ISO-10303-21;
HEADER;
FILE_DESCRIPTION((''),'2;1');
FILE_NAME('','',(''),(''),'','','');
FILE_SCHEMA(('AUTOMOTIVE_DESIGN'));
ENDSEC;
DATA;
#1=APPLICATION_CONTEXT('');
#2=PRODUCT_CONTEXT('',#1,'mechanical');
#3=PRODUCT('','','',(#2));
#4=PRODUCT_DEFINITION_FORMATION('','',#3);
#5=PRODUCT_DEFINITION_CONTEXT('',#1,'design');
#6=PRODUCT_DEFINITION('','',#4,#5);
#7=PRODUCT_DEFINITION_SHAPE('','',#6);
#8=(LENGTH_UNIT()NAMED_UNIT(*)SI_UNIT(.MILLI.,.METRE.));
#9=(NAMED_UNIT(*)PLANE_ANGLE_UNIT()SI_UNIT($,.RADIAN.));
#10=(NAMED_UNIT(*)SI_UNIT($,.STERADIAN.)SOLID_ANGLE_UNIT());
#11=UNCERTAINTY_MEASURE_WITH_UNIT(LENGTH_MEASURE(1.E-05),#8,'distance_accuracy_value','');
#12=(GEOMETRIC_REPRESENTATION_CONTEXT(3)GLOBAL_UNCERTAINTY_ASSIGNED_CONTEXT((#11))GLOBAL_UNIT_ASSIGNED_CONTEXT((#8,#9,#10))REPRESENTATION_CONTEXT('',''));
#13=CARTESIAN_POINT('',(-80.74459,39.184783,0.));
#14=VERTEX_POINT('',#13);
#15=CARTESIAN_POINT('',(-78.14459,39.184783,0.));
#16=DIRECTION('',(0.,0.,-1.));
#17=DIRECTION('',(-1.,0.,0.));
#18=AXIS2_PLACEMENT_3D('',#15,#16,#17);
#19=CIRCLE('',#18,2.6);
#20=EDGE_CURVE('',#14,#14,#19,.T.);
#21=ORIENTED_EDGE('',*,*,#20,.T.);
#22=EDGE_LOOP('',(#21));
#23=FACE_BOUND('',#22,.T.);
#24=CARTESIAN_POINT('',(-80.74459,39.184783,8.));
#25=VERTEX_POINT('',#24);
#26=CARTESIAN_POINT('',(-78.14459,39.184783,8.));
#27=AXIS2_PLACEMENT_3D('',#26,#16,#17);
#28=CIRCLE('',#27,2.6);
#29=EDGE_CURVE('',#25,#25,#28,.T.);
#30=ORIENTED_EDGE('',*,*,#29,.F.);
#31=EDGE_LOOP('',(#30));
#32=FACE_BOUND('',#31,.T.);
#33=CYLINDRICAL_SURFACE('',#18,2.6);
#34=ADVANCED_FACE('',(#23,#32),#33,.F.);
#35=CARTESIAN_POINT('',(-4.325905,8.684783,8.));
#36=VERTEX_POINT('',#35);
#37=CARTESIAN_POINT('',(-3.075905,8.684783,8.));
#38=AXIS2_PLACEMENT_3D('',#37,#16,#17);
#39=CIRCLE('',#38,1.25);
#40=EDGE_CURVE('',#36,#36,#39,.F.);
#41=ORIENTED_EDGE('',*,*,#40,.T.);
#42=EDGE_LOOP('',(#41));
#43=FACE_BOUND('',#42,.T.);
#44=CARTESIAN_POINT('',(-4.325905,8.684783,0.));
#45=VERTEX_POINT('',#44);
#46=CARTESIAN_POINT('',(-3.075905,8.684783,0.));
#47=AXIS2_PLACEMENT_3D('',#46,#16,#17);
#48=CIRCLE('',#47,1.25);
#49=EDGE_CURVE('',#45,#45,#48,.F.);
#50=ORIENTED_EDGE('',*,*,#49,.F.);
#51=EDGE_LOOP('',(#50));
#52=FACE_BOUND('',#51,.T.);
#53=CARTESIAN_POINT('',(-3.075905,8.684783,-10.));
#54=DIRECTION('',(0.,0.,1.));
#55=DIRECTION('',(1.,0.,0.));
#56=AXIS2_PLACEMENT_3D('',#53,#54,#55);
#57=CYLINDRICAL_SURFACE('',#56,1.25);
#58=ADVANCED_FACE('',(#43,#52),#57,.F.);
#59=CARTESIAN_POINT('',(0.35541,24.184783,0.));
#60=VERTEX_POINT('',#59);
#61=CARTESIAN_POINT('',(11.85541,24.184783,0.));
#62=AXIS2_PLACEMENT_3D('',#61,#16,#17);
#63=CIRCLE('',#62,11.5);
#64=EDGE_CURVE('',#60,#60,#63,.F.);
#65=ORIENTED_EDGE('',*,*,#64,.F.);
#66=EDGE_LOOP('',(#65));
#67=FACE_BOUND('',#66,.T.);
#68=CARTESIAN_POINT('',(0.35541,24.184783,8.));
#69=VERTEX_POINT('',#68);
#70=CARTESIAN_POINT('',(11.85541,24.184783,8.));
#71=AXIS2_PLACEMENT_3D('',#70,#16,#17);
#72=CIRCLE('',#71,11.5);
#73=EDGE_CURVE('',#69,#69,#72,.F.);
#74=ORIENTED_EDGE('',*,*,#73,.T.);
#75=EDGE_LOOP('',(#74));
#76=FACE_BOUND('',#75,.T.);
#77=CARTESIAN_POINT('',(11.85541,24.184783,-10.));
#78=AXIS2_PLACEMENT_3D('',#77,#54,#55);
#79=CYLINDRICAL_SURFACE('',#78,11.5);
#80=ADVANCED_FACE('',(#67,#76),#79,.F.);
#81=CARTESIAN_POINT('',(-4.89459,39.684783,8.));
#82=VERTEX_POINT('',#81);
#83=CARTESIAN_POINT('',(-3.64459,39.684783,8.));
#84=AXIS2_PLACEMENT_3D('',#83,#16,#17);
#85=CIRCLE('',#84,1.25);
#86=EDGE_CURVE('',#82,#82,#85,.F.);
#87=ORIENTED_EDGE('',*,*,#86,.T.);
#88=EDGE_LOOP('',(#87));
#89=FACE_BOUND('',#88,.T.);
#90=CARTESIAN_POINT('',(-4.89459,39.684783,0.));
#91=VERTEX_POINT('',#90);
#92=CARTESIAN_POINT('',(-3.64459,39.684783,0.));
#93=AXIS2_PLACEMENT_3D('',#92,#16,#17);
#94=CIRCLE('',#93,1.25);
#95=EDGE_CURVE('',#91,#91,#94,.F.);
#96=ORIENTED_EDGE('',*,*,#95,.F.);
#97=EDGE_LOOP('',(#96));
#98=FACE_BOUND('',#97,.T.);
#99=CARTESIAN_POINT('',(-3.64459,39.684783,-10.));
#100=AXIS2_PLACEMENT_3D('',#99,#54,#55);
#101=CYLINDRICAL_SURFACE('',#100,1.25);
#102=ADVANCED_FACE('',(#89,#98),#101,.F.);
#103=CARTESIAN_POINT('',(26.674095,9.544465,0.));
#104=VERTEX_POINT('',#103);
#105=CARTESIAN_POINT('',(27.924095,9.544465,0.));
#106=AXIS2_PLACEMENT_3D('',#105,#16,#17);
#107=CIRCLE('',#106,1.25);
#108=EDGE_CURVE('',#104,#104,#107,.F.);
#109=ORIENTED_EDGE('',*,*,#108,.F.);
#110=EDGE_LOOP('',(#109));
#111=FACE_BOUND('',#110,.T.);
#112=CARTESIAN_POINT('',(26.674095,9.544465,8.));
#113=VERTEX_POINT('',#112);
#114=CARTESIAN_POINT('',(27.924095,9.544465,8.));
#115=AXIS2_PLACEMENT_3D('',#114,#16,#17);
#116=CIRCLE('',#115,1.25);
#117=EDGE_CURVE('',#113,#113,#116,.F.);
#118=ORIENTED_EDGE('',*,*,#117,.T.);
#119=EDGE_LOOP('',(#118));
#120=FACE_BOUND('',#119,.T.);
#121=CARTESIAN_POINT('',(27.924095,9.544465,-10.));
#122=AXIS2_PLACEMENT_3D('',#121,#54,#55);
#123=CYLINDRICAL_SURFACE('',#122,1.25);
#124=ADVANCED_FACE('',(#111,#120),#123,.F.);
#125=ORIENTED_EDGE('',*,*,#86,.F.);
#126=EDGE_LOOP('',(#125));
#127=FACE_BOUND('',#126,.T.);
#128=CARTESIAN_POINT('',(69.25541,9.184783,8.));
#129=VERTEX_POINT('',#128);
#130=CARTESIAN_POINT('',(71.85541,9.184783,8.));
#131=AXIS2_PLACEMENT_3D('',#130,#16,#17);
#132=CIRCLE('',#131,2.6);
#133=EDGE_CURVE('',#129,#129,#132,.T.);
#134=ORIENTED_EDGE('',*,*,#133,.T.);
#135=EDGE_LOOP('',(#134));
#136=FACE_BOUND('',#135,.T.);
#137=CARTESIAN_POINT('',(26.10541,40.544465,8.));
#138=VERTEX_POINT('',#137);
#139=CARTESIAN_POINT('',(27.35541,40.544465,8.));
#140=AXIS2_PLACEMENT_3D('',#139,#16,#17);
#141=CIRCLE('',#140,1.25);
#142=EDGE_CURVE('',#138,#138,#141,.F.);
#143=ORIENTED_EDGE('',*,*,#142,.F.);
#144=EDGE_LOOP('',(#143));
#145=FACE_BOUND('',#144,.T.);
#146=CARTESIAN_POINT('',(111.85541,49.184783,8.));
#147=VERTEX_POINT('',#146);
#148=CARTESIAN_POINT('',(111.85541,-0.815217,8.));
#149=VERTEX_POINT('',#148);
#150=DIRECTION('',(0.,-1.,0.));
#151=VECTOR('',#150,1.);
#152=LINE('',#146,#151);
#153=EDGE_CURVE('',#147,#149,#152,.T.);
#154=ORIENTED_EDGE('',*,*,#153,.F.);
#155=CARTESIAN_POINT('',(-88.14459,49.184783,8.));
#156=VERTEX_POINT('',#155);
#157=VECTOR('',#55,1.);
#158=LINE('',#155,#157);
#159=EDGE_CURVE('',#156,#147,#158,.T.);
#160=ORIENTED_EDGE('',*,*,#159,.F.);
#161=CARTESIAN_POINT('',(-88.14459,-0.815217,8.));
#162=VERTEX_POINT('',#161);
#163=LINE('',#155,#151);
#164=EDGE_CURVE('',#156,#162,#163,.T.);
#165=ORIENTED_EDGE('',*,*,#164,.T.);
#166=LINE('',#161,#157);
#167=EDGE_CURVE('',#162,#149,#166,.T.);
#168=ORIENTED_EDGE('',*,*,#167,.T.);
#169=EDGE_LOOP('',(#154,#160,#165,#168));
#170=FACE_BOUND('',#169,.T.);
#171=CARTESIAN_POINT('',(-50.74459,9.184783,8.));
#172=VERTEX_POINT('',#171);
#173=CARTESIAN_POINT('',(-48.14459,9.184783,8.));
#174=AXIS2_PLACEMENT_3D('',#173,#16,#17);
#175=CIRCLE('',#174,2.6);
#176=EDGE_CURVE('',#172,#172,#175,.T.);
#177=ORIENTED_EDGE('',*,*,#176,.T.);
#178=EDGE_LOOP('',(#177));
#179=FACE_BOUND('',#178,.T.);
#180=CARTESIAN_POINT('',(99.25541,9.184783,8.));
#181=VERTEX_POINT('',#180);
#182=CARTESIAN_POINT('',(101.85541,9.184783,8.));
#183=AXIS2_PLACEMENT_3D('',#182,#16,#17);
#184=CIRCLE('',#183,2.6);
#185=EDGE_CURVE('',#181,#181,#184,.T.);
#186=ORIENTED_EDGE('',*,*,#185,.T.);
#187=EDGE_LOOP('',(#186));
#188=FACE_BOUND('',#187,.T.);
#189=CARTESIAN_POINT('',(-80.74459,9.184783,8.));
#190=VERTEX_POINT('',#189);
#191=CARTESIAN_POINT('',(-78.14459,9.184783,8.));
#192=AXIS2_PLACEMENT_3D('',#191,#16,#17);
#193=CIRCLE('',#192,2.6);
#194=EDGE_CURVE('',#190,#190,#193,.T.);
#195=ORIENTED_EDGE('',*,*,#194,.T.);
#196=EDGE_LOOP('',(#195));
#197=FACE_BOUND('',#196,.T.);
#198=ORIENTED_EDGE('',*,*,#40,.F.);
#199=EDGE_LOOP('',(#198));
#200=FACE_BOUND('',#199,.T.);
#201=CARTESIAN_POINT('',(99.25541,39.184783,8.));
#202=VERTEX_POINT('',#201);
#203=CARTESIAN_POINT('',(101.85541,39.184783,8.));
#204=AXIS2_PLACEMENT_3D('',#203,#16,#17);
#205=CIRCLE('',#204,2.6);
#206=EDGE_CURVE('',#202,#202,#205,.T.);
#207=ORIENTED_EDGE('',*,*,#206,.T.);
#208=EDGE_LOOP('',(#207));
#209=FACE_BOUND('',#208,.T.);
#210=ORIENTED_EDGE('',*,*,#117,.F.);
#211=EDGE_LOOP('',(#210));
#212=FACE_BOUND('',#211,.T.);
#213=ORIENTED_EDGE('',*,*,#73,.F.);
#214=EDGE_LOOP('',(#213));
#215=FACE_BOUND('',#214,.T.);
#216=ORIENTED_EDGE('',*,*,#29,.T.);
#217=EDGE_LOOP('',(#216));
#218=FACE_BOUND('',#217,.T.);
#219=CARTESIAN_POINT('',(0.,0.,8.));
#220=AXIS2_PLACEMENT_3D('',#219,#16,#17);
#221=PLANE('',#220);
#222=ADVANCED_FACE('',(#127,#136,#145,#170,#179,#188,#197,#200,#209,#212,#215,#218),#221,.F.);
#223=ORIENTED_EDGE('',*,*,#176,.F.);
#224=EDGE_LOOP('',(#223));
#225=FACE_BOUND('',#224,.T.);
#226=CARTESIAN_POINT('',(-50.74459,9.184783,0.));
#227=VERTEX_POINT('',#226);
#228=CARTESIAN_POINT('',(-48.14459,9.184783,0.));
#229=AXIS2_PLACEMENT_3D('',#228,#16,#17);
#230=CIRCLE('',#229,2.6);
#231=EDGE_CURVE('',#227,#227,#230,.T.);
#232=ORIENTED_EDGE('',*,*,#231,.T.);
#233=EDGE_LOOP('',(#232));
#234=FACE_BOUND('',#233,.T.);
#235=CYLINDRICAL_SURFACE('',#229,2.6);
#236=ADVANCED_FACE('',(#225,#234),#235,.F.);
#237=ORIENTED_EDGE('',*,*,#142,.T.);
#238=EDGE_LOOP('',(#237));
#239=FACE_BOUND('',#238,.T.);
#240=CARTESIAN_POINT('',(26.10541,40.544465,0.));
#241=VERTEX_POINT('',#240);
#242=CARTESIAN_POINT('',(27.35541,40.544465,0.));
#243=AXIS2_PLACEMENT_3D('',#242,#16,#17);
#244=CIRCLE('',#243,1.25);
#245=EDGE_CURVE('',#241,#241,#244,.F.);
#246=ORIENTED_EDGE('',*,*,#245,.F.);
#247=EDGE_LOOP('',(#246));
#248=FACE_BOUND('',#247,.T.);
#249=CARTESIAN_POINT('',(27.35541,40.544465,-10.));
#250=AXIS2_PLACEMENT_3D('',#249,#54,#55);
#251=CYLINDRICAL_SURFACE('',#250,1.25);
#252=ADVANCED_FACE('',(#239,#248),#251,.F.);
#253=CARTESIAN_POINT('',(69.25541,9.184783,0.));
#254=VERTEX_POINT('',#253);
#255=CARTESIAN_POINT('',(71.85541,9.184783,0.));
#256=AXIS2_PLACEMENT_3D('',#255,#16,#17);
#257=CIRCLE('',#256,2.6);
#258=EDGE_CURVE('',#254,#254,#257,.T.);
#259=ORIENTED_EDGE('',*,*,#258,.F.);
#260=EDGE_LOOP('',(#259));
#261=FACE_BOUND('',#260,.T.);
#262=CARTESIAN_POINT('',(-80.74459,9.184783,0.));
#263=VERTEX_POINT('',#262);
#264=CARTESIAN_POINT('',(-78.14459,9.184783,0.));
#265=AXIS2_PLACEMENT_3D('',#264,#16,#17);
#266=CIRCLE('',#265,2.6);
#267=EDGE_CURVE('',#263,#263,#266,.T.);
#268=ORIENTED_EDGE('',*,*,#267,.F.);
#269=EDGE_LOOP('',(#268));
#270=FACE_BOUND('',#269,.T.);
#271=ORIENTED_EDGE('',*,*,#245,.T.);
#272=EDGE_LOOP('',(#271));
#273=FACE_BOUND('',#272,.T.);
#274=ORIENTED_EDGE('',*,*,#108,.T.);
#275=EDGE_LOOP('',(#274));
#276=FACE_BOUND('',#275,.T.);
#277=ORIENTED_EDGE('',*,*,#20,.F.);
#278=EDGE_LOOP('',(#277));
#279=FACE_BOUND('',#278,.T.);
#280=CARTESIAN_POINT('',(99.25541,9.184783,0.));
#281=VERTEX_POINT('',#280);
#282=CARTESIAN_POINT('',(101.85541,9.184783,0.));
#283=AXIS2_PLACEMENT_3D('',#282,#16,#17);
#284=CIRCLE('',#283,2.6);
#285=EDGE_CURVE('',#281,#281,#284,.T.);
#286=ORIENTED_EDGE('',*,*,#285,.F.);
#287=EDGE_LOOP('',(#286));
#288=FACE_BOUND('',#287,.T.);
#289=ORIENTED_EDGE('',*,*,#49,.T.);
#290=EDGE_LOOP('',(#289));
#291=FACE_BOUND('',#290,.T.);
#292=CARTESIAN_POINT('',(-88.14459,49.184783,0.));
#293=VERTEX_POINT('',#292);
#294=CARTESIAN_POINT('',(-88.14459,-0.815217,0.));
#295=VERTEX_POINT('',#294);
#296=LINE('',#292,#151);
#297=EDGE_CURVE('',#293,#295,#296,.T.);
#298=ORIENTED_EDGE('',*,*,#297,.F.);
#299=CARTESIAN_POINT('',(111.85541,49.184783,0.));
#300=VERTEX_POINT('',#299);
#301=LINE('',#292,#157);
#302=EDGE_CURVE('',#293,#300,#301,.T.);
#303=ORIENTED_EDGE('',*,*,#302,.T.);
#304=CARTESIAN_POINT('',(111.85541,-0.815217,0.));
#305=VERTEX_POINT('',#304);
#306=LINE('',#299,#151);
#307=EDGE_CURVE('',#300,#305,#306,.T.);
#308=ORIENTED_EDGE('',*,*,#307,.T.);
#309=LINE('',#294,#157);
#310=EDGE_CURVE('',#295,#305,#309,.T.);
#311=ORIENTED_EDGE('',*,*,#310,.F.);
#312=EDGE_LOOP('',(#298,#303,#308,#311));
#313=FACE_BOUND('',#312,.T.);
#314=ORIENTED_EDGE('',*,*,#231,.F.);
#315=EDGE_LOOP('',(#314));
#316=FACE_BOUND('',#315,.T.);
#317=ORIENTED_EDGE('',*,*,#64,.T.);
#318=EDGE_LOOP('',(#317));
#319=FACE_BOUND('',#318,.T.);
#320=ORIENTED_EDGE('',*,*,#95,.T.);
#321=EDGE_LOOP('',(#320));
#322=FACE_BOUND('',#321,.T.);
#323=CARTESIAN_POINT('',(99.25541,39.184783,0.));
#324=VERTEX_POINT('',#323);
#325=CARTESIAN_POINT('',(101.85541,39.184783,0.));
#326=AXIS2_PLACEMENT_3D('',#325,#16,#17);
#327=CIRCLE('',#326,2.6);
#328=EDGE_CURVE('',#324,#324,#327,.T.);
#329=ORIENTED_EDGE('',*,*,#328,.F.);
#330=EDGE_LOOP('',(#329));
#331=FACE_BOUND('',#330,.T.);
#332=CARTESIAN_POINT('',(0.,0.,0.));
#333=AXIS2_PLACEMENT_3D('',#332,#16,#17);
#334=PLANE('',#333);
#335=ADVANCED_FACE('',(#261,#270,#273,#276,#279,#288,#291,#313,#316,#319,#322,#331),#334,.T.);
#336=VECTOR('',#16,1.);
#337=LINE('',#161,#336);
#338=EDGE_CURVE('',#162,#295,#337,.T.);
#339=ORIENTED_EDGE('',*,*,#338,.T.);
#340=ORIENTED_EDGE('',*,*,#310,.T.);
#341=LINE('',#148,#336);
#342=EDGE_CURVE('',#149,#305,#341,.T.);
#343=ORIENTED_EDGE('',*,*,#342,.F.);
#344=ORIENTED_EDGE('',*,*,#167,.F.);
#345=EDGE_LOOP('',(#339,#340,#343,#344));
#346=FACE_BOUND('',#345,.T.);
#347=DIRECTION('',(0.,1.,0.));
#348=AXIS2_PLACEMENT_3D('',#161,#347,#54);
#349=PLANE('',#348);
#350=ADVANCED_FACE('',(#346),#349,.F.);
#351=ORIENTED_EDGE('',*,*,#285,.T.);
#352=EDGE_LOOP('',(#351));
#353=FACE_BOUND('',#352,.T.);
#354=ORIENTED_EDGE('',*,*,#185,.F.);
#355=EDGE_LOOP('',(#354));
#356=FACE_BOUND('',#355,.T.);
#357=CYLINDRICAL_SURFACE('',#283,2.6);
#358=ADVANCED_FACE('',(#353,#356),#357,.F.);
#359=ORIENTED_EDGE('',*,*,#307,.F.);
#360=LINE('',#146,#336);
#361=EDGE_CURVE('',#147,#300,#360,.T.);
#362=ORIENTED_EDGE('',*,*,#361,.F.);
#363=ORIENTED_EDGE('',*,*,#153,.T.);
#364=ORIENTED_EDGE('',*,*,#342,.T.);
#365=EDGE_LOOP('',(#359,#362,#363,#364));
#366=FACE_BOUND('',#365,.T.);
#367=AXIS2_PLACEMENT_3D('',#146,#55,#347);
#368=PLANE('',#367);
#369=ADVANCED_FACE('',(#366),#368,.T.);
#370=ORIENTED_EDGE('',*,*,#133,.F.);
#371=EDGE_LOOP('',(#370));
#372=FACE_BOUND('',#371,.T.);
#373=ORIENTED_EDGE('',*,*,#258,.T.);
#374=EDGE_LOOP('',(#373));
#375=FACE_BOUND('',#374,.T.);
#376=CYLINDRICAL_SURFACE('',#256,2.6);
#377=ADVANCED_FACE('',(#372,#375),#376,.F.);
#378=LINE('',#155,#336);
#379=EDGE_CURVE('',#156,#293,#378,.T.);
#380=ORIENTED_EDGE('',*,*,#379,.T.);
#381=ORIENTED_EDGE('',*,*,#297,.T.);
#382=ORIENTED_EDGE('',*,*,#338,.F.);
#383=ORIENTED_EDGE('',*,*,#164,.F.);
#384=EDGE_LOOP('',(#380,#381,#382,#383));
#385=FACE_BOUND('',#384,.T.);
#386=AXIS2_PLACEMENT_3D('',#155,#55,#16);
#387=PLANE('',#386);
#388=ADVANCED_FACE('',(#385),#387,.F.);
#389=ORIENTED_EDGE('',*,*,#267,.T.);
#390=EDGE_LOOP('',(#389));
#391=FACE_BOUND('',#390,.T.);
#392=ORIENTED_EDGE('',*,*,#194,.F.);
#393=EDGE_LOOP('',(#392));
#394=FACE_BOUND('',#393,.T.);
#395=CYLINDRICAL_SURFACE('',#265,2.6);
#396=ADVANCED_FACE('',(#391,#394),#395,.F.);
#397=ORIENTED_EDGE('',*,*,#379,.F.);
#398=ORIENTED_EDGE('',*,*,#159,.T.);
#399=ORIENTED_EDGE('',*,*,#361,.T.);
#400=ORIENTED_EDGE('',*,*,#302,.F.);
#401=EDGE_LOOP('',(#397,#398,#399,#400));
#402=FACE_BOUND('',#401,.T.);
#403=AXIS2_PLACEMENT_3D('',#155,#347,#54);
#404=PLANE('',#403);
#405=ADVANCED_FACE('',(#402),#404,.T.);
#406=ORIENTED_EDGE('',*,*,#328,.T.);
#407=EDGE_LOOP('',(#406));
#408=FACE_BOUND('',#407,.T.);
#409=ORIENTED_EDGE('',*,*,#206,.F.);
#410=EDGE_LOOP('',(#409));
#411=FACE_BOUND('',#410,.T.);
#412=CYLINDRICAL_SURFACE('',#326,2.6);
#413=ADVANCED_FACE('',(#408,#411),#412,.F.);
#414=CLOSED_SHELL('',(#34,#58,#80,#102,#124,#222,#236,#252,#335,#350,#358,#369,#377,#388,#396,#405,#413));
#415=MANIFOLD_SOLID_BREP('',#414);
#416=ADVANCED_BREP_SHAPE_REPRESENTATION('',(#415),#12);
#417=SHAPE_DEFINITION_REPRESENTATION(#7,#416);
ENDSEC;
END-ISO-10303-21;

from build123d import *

# Parameters (mm, degrees)
IZIM1_W                              = 200
IZIM1_H                              = 50
Y_KSEKLIK_EKSTR_ZYON1_DEPTH          = 8
M5_HELISARMAL_I_IN_Z_VANA_MATKAB_1_D = 5.2
KES_EKSTR_ZYON1_DEPTH                = 10
KES_EKSTR_ZYON1_DEPTH_BACK           = 10
IZIM5_R                              = 1.25
IZIM5_R_2                            = 11.5
M5_HELISARMAL_I_IN_Z_VANA_MATKAB_2_D = 5.2


with BuildPart() as part:
    # Çizim1 → Yükseklik-Ekstrüzyon1 (new body)
    with BuildSketch(Plane.XY):
        with Locations((11.855409505, 24.184782609)):
            Rectangle(IZIM1_W, IZIM1_H)
    extrude(amount=Y_KSEKLIK_EKSTR_ZYON1_DEPTH)

    # M5 Helisarmal için Zıvana matkabı1 (through all)
    with Locations(Plane(origin=(0, 0, 0), x_dir=(-1, 0, 0), z_dir=(0, 0, -1))):
        with Locations((-101.855409505, 39.184782609), (-101.855409505, 9.184782609), (78.144590495, 9.184782609), (78.144590495, 39.184782609)):
            Hole(M5_HELISARMAL_I_IN_Z_VANA_MATKAB_1_D / 2)

    # Çizim5 → Kes-Ekstrüzyon1 (cut, two sides: drawn at the far end of the back side and taken through both)
    with BuildSketch(Plane(origin=(0, 0, 0), x_dir=(-1, 0, 0), z_dir=(0, 0, -1)).offset(-KES_EKSTR_ZYON1_DEPTH_BACK)):
        with Locations((3.644590495, 39.684782609)):
            Circle(IZIM5_R)
        with Locations((3.075905377, 8.684782609)):
            Circle(IZIM5_R)
        with Locations((-27.924094623, 9.544465449)):
            Circle(IZIM5_R)
        with Locations((-27.355409505, 40.544465449)):
            Circle(IZIM5_R)
        with Locations((-11.855409505, 24.184782609)):
            Circle(IZIM5_R_2)
    extrude(amount=KES_EKSTR_ZYON1_DEPTH + KES_EKSTR_ZYON1_DEPTH_BACK, mode=Mode.SUBTRACT)

    # M5 Helisarmal için Zıvana matkabı2 (through all)
    with Locations(Plane(origin=(71.855409505, 9.184782609, 0), x_dir=(-1, 0, 0), z_dir=(0, 0, -1))):
        with Locations((0, 0), (120, 0)):
            Hole(M5_HELISARMAL_I_IN_Z_VANA_MATKAB_2_D / 2)


solid = part.part
